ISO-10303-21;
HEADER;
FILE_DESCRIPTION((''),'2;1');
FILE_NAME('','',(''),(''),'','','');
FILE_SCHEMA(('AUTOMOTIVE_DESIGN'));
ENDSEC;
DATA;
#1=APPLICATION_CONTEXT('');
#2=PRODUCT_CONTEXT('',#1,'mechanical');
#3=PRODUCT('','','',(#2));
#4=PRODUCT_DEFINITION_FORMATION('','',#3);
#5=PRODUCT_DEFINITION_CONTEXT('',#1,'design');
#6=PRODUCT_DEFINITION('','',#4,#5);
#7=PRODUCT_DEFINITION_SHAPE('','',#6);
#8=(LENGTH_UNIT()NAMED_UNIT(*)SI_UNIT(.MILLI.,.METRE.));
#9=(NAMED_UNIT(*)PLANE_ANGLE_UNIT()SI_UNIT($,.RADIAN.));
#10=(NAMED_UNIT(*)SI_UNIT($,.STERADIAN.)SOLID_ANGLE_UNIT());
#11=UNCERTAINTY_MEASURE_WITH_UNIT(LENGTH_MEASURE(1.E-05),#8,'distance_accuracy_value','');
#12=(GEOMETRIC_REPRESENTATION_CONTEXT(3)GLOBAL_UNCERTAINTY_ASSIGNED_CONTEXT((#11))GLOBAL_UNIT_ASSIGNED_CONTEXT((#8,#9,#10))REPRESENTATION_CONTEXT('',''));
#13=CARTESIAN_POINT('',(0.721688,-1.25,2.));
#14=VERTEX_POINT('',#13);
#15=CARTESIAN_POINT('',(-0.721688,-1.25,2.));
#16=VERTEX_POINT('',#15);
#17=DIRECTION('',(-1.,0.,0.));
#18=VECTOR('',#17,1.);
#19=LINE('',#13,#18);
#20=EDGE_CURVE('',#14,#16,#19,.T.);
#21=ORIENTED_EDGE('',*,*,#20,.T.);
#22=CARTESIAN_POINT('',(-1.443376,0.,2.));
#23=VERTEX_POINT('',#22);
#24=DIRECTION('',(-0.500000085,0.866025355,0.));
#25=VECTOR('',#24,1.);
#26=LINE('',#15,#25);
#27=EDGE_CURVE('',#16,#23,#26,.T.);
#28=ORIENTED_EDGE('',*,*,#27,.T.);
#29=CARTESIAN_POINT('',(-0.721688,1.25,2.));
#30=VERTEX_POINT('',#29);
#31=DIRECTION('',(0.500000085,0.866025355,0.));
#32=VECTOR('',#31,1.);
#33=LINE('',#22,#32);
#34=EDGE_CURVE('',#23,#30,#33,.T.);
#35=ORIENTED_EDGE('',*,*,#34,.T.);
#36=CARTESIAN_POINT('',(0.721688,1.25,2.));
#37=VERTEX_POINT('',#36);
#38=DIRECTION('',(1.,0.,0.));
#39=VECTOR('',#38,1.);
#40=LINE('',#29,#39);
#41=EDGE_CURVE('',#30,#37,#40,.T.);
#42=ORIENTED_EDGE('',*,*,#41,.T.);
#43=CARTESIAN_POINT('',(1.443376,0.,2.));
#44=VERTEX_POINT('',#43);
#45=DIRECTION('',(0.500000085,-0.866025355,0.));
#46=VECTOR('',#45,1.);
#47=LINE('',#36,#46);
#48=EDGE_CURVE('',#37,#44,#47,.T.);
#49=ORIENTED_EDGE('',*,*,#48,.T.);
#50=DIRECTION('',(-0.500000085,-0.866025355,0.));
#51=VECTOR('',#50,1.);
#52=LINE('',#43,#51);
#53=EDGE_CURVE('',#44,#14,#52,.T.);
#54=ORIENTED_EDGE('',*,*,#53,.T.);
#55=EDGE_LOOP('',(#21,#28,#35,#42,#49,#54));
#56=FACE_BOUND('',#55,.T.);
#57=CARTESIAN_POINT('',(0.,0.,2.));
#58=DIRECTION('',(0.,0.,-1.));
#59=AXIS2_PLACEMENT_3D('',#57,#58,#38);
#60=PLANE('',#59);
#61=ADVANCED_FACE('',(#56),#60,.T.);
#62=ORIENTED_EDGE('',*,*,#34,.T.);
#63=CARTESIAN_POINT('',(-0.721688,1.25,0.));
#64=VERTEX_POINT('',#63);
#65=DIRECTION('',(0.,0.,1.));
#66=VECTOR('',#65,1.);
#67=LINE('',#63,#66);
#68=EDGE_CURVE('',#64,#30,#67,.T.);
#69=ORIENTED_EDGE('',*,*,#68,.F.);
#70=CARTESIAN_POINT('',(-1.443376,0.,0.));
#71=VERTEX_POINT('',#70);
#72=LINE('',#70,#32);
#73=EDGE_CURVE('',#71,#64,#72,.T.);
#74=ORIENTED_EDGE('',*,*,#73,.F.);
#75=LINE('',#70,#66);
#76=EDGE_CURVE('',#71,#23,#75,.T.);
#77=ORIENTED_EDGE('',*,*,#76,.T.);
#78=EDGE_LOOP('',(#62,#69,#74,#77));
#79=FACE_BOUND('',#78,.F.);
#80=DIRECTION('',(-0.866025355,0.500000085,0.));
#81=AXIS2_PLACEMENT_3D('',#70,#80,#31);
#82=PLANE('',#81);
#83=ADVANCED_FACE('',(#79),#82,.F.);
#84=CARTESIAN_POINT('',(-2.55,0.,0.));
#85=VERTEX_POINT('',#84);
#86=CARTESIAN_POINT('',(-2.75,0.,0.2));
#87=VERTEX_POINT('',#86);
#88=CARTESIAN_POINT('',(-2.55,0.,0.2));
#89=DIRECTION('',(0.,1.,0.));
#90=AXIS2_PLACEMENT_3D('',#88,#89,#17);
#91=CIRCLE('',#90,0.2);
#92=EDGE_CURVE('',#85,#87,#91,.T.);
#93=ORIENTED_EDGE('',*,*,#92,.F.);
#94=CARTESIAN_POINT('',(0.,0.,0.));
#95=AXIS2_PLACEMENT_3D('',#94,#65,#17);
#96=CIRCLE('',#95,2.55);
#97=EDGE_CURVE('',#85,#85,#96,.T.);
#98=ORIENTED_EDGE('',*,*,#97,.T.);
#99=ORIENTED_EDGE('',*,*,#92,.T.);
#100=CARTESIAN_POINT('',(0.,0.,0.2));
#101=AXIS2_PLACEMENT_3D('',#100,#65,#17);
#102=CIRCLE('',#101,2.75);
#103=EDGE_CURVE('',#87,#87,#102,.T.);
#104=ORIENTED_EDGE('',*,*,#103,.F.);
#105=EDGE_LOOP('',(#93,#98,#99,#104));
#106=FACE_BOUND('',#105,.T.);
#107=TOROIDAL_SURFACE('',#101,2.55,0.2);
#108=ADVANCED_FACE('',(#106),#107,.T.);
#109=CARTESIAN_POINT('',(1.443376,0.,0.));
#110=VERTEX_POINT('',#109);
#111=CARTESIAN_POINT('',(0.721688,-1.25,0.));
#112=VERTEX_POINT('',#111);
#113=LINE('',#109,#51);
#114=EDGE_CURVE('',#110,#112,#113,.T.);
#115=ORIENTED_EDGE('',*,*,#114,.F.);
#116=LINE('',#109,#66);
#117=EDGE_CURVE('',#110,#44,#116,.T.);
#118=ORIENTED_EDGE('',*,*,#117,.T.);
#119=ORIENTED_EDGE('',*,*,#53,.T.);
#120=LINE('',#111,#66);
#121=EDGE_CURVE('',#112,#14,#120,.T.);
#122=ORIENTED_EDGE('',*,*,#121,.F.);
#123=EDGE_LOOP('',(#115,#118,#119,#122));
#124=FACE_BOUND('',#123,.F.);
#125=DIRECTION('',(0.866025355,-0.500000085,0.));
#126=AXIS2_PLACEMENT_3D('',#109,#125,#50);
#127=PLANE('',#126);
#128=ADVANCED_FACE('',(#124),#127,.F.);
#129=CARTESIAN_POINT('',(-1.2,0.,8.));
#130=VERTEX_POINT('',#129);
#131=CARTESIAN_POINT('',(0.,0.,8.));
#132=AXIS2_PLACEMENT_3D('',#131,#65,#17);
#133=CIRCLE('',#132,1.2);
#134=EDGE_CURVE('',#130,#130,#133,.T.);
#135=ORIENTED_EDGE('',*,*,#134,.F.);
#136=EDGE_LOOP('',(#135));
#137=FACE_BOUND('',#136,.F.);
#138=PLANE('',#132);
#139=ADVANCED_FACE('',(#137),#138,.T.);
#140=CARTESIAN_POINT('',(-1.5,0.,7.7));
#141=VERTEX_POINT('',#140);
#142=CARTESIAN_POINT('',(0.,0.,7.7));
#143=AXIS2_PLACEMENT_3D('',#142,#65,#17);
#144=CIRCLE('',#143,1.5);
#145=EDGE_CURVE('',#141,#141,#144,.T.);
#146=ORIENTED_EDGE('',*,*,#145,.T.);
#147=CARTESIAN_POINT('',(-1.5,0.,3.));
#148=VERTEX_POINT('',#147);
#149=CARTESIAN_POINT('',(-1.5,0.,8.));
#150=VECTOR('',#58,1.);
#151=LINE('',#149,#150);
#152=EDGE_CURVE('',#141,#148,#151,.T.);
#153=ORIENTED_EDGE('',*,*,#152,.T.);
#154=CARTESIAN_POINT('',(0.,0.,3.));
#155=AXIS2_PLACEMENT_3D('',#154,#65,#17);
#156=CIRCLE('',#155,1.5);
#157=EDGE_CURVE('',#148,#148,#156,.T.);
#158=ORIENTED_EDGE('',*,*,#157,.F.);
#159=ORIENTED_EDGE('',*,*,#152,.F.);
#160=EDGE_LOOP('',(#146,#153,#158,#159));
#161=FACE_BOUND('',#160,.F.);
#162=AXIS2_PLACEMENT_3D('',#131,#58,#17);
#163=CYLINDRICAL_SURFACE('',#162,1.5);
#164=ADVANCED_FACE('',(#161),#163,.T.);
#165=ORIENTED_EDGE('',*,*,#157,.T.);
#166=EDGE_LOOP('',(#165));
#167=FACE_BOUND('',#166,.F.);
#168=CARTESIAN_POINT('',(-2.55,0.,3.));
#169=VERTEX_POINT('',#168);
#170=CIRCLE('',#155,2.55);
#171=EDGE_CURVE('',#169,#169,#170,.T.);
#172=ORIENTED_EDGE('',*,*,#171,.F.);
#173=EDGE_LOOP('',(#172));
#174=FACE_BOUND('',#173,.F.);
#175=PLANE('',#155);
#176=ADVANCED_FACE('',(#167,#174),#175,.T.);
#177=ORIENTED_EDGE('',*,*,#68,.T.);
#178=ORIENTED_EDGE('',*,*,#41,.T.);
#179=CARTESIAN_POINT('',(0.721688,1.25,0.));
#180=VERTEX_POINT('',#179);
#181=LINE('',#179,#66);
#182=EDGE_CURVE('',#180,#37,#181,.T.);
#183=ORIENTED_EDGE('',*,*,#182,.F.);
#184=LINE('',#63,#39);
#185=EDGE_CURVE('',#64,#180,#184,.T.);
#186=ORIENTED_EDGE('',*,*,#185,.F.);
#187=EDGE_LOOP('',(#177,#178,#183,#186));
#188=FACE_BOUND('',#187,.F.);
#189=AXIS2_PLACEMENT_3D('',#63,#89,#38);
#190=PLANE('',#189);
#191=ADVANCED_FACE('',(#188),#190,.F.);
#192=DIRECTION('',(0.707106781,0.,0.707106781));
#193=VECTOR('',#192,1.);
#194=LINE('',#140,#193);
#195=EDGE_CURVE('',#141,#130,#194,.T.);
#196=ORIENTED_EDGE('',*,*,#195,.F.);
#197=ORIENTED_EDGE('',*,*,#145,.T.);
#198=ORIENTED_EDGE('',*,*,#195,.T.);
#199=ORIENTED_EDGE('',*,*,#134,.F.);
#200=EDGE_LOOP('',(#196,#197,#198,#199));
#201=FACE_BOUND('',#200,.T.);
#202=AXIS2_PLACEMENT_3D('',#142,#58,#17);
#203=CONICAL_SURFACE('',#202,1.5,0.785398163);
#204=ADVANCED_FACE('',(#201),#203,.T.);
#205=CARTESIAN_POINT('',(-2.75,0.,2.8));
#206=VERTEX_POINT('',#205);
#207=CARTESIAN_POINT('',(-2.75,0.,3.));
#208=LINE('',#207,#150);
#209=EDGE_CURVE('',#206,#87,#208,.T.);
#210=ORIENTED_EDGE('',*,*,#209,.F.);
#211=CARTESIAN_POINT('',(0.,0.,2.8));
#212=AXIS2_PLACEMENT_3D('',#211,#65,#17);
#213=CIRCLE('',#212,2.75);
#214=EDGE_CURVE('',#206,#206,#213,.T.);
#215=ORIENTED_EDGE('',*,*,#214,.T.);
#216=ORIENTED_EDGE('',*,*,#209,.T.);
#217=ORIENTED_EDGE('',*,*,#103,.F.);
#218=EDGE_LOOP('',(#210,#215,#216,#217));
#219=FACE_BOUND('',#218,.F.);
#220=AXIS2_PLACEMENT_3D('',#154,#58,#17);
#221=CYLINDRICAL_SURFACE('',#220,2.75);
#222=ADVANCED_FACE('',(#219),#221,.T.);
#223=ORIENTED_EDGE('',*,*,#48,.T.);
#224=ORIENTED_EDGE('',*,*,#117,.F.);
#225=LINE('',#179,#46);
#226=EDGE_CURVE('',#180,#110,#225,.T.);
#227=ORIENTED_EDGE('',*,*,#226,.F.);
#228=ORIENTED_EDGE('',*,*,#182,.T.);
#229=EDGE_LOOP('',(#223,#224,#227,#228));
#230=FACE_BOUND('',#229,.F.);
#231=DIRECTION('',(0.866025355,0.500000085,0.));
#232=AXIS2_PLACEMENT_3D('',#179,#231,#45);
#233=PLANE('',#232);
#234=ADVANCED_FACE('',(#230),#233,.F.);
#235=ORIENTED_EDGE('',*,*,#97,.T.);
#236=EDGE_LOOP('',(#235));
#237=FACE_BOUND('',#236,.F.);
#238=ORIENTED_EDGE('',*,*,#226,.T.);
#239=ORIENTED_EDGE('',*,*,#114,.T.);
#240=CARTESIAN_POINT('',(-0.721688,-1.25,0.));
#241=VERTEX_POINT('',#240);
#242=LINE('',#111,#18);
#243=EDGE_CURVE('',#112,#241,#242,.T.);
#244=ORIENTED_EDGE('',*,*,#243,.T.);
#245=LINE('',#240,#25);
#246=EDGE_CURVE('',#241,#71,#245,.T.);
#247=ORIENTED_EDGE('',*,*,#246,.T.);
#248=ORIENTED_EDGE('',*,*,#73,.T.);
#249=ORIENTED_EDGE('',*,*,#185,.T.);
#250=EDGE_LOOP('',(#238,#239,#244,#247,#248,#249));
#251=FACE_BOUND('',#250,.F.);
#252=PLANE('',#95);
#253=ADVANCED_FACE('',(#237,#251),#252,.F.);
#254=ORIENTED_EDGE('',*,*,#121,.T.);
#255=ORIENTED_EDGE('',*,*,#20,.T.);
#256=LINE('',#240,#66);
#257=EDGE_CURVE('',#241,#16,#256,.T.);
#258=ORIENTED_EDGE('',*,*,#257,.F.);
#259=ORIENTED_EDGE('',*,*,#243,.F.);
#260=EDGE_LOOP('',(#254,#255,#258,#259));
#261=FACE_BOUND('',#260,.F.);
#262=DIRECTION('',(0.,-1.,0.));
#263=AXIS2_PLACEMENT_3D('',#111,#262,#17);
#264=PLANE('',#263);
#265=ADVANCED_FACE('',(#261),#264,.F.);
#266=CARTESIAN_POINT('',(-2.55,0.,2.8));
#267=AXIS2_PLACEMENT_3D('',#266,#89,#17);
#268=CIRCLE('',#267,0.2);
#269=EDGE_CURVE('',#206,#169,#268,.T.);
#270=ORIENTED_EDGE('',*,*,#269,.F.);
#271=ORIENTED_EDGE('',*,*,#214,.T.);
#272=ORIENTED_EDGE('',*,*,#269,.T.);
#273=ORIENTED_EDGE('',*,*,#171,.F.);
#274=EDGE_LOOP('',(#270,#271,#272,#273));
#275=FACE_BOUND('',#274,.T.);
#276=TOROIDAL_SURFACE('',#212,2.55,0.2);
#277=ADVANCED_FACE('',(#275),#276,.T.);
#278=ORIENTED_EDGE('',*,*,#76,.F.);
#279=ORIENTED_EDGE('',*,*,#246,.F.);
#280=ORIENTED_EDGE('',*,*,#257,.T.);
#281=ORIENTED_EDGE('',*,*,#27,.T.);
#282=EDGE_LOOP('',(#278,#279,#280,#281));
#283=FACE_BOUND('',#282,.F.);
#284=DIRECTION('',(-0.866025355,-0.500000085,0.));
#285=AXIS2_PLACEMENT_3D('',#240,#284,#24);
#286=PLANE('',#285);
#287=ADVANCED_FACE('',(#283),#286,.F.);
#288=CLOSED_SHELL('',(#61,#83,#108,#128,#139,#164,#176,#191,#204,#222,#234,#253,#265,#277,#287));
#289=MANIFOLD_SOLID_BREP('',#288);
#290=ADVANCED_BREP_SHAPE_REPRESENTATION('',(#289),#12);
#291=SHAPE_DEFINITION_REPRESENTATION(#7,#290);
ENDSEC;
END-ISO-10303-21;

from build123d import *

# Parameters (mm, degrees)
F3_DEPTH = 2
F4_R     = 0.2
F5_SIZE  = 0.3


with BuildPart() as f1:
    # F0 (on Front) → F1 (revolve)
    with BuildSketch(Plane.XZ):
        Polygon((-2.75, 0), (0, 0), (0, 8), (-1.5, 8), (-1.5, 3), (-2.75, 3), align=None)
    revolve(axis=Axis((0, 0, 4), (0, 0, 1)))

    # F2 (on face) → F3 (cut)
    with BuildSketch(Plane(origin=(0, 0, 0), x_dir=(1, 0, 0), z_dir=(0, 0, -1))):
        Polygon((0.721688, 1.25), (-0.721688, 1.25), (-1.443376, 0), (-0.721688, -1.25), (0.721688, -1.25), (1.443376, 0), align=None)
    extrude(amount=-F3_DEPTH, mode=Mode.SUBTRACT)

    # F4
    f4_edges = [f1.edges().sort_by_distance(p)[0] for p in [
        (2.75, 0, 0),
        (2.75, 0, 3),
    ]]
    fillet(f4_edges, radius=F4_R)

    # F5
    f5_edges = [f1.edges().sort_by_distance(p)[0] for p in [
        (1.5, 0, 8),
    ]]
    chamfer(f5_edges, length=F5_SIZE)


solid = f1.part
